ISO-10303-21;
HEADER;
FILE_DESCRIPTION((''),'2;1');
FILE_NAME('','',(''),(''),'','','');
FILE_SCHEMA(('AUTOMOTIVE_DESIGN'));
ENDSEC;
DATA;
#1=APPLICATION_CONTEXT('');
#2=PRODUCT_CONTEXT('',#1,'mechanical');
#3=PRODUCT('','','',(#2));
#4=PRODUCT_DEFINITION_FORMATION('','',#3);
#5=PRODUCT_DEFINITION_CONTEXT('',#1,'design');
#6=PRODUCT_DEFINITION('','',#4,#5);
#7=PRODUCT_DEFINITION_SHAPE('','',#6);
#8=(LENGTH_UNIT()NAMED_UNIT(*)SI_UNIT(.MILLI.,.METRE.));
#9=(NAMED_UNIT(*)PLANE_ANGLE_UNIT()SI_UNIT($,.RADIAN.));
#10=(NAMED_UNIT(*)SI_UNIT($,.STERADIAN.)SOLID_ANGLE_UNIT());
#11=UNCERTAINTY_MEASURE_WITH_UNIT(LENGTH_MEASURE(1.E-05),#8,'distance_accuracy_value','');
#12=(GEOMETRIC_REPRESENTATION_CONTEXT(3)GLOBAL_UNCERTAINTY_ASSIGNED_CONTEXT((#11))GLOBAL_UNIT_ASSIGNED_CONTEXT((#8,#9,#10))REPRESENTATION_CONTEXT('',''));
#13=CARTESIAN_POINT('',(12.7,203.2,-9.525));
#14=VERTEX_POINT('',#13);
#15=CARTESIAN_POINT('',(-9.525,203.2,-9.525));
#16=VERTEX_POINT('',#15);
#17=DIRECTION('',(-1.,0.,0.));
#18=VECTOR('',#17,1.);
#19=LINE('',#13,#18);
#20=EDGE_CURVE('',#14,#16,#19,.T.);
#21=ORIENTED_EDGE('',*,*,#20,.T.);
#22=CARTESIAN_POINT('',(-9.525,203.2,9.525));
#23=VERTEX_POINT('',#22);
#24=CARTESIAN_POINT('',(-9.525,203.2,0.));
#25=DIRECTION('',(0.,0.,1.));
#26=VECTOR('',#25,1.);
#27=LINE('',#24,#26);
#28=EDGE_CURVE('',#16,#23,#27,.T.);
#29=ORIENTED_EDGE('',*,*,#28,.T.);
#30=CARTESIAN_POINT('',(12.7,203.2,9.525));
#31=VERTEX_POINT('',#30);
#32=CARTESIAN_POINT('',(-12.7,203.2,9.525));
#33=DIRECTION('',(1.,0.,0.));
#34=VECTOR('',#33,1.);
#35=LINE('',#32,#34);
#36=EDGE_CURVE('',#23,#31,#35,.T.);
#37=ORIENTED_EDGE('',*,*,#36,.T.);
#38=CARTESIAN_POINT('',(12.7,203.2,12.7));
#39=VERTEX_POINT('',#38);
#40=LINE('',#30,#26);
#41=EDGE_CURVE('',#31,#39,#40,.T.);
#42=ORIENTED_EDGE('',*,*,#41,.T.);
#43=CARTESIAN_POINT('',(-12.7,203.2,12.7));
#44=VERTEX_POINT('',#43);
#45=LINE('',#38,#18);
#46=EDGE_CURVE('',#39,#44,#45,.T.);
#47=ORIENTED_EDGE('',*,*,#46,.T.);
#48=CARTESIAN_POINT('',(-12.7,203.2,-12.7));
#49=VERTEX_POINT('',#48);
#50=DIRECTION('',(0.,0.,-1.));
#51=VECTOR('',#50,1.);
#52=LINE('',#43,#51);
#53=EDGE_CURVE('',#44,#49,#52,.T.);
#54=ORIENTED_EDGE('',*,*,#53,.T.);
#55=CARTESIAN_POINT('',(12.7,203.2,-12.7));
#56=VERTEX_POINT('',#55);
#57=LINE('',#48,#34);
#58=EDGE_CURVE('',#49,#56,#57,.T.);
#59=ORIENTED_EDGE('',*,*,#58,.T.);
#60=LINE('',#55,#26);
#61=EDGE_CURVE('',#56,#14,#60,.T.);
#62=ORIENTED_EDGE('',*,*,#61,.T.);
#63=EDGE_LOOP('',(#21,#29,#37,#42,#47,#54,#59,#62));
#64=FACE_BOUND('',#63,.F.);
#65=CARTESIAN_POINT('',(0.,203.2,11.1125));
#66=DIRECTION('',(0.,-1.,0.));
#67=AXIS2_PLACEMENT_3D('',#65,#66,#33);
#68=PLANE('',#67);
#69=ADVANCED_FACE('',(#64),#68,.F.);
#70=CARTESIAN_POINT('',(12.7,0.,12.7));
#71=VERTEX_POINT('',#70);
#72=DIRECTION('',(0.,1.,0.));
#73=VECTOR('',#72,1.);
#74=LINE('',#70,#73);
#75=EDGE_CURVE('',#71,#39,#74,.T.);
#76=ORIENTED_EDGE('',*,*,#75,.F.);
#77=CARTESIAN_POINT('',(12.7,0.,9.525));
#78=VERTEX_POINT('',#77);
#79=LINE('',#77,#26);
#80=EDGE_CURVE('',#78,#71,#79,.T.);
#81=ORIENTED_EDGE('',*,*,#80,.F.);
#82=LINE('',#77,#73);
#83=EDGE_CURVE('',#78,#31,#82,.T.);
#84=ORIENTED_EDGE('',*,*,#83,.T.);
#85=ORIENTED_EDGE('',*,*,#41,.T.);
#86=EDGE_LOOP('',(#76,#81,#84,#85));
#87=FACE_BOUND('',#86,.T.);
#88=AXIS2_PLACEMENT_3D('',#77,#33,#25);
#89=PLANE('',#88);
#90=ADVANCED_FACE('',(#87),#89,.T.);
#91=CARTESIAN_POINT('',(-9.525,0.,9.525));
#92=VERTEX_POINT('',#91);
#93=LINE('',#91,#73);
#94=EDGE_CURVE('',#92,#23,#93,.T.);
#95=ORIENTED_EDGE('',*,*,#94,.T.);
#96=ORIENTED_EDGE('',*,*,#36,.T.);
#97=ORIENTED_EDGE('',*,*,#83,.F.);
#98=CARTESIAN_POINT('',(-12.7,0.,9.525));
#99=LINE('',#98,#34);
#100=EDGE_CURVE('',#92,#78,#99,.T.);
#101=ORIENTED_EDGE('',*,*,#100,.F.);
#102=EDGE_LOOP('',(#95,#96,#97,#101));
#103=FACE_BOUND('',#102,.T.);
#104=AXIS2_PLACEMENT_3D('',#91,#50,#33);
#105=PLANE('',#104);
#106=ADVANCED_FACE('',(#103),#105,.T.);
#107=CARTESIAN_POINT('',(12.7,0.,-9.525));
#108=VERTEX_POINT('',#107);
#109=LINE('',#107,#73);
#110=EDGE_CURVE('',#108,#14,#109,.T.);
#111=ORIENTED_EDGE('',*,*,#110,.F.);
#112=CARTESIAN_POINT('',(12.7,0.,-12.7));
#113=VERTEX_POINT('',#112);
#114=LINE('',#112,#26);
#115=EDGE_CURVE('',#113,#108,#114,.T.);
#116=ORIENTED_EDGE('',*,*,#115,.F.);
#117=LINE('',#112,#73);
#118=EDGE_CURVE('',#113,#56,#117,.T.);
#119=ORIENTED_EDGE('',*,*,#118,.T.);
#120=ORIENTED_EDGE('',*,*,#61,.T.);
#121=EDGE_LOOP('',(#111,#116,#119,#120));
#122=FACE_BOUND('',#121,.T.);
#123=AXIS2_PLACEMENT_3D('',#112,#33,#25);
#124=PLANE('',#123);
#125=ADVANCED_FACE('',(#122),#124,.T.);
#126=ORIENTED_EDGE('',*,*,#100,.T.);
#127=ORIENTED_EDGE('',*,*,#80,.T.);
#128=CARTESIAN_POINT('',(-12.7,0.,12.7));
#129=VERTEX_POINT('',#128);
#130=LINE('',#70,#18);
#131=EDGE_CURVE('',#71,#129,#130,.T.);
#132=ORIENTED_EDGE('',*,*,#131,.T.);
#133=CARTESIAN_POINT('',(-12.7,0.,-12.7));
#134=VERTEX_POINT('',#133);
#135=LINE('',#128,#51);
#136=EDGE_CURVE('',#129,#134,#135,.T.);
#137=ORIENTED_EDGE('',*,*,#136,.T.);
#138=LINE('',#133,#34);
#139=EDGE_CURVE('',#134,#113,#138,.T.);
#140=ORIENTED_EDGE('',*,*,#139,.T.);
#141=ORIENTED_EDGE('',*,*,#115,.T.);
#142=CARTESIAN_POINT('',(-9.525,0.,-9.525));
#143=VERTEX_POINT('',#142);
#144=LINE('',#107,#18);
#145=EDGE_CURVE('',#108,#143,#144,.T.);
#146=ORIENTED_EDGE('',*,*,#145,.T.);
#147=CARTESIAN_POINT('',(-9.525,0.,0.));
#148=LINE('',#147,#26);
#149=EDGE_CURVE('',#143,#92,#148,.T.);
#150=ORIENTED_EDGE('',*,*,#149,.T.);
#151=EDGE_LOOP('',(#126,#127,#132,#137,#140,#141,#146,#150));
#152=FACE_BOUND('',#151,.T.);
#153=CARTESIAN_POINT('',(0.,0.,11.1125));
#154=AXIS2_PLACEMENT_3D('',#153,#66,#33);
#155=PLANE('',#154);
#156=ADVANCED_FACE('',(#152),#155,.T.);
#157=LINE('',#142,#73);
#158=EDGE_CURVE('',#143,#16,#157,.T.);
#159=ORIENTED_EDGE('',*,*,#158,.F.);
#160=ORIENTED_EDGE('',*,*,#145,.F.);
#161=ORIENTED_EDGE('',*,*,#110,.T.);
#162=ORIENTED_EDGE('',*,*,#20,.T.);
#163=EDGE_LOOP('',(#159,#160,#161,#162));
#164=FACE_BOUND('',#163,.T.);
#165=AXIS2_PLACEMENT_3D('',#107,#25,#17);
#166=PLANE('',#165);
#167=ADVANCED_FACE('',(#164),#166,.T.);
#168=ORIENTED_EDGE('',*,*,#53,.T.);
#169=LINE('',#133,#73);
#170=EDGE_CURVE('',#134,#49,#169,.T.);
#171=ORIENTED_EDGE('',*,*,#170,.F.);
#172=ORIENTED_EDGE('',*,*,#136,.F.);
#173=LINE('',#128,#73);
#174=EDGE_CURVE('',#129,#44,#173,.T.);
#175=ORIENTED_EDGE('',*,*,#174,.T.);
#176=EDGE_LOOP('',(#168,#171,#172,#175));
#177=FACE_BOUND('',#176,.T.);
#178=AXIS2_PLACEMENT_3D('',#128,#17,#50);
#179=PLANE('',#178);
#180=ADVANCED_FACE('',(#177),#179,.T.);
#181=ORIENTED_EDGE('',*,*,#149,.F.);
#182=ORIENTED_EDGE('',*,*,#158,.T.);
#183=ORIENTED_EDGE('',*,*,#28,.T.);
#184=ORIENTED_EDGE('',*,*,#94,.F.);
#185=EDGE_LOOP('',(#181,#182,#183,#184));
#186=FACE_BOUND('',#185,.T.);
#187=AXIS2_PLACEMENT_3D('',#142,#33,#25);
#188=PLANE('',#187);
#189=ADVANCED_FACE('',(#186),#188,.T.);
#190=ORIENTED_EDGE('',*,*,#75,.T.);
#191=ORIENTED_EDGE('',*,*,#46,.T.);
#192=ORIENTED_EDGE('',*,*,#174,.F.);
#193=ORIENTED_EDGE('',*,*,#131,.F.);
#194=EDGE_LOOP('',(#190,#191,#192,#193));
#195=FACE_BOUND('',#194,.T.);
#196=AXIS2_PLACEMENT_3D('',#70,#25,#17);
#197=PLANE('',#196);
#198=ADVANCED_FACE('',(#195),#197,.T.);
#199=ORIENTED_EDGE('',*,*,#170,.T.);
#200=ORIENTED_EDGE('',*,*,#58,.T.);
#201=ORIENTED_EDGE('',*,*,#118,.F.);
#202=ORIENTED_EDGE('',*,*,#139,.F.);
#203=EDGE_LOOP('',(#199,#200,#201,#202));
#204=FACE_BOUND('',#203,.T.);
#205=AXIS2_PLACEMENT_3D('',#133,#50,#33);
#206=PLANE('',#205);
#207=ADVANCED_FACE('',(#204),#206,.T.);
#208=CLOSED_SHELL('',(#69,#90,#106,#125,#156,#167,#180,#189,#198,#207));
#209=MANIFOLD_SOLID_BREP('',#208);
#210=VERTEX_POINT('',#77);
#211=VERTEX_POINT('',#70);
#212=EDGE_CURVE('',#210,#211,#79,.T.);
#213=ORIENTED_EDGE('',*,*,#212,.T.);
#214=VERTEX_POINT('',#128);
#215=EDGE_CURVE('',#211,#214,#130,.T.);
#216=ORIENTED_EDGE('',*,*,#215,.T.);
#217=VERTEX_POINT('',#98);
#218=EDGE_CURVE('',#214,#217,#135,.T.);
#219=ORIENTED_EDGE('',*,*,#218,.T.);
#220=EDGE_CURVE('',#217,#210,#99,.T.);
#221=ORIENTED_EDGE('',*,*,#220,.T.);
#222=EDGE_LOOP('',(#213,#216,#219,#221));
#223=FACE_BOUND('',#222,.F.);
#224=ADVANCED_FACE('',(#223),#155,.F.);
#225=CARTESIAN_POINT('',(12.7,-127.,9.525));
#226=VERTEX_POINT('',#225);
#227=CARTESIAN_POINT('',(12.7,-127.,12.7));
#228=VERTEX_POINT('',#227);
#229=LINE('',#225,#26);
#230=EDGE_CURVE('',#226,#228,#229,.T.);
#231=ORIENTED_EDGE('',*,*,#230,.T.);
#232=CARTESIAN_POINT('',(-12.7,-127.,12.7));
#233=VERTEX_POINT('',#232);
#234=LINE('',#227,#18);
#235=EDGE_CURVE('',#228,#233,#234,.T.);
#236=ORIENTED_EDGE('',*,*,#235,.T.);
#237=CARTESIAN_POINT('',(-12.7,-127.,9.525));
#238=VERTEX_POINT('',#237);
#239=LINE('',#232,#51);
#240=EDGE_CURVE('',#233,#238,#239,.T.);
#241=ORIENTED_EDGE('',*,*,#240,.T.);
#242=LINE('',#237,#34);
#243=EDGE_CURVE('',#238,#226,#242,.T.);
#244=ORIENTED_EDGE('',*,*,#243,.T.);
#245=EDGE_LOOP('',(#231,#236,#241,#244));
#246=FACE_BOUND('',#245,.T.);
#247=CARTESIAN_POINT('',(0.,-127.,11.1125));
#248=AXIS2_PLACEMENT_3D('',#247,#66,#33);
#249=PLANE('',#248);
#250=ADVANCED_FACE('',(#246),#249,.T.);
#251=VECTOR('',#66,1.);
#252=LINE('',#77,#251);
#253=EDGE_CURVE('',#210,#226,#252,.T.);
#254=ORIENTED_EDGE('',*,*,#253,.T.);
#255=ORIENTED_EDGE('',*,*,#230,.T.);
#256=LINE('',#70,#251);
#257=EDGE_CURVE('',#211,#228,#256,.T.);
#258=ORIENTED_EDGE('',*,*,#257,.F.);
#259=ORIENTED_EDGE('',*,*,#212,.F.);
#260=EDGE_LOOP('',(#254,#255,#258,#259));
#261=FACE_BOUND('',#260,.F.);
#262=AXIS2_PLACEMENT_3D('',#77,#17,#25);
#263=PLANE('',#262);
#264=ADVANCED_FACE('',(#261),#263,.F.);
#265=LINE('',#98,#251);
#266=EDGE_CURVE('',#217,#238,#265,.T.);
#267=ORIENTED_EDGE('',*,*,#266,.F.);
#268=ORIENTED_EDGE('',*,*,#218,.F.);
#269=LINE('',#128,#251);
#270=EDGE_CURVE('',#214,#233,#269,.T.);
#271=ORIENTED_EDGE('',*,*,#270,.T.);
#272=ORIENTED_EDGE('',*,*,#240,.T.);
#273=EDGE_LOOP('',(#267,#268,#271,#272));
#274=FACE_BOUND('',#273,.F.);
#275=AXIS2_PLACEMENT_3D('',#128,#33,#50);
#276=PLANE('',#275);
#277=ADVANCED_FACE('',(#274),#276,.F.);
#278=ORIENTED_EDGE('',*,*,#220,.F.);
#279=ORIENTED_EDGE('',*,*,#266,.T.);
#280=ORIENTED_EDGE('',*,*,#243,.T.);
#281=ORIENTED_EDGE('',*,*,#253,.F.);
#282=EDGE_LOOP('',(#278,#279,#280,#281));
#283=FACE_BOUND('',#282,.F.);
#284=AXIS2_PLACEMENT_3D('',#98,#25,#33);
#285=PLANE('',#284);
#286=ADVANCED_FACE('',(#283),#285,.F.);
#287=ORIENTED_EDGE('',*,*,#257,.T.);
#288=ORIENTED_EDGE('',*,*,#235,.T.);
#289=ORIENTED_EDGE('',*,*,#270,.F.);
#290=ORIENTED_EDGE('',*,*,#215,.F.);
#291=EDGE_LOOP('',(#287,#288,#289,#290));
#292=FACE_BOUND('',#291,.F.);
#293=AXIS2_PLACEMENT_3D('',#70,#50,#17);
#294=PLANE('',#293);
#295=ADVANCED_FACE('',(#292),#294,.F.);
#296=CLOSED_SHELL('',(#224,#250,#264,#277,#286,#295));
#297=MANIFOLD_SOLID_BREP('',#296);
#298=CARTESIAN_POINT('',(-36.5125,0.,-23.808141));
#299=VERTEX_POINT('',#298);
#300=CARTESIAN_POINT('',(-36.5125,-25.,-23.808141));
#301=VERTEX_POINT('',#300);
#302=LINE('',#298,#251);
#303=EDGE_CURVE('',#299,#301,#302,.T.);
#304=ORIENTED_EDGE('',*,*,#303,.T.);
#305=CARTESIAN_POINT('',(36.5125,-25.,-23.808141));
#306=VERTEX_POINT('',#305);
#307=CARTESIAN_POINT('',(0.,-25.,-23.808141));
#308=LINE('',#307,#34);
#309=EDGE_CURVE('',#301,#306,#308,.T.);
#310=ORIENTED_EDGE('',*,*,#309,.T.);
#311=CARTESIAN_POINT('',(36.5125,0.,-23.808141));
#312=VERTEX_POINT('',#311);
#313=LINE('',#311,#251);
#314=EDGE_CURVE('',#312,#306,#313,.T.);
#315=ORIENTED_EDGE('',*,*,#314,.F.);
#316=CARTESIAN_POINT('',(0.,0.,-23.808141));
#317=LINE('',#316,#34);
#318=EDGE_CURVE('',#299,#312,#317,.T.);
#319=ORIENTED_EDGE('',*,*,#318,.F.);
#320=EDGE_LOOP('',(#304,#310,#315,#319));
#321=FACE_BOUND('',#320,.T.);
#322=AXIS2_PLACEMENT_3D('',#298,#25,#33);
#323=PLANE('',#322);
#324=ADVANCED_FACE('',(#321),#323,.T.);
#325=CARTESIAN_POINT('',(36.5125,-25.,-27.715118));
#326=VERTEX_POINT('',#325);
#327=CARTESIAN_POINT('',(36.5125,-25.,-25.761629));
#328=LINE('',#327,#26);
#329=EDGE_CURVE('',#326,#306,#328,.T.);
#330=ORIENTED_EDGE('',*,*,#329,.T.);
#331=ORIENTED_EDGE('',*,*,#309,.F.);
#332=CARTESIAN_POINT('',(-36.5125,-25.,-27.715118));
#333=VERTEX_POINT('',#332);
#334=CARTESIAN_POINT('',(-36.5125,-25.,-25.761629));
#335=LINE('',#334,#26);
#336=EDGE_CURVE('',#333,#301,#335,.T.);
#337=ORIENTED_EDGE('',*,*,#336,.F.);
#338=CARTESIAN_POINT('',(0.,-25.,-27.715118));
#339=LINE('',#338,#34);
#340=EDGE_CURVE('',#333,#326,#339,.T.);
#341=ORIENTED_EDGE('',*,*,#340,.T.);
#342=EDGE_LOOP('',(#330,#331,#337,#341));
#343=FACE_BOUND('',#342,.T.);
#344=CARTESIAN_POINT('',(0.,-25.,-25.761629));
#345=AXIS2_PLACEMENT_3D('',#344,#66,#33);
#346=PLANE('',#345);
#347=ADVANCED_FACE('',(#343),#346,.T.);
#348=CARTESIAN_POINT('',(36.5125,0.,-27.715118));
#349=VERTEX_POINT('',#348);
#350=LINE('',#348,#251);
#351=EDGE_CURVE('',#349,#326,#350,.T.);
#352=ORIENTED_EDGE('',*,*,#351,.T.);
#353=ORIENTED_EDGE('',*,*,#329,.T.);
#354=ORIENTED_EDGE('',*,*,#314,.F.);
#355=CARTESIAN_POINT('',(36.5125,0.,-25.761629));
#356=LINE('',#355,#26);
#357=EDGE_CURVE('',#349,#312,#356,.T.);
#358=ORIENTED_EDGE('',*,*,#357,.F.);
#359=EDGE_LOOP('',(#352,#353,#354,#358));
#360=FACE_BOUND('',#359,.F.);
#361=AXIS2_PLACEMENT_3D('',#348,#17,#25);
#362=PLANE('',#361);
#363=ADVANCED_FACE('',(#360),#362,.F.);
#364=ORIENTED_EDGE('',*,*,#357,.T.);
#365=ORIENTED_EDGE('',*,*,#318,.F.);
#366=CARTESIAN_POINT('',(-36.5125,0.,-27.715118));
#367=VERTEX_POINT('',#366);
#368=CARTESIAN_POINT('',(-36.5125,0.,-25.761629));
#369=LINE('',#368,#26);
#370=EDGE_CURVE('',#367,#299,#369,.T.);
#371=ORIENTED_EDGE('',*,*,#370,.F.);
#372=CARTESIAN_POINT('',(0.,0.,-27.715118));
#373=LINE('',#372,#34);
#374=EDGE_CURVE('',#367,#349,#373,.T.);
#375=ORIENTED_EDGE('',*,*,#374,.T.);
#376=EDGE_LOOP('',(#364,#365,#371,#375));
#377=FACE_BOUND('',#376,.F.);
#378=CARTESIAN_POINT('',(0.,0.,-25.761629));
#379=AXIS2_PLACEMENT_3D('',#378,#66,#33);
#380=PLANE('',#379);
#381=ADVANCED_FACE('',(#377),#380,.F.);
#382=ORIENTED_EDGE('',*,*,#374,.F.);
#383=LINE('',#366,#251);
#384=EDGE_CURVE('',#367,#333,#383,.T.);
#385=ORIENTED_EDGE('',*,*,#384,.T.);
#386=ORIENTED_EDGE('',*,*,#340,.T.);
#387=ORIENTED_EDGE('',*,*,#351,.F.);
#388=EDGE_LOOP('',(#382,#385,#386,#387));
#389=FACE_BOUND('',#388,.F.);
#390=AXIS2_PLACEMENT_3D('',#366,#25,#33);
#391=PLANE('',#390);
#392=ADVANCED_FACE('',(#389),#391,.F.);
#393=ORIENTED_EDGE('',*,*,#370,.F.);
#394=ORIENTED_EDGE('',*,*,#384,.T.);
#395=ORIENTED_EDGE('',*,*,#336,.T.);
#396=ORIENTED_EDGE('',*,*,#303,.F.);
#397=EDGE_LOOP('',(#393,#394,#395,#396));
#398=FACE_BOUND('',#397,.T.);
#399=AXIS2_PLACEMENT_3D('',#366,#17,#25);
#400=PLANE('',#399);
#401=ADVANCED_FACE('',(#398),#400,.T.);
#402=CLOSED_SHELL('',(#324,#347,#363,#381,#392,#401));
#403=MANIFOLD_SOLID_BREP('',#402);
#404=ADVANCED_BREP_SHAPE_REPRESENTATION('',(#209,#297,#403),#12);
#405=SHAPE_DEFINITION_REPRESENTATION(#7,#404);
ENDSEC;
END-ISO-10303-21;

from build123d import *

# Parameters (mm, degrees)
F0_W     = 3.175
F0_H     = 19.05
F1_DEPTH = 203.2
F2_DEPTH = 127
F3_W     = 73.025
F3_H     = 3.906977
F4_DEPTH = 25


with BuildPart() as f1:
    # F0 (on Front) → F1 (new body)
    with BuildSketch(Plane.XZ):
        Polygon((12.7, 12.7), (-12.7, 12.7), (-12.7, 9.525), (-9.525, 9.525), (12.7, 9.525), align=None)
        with Locations((-11.1125, 0)):
            Rectangle(F0_W, F0_H)
        Polygon((-9.525, -9.525), (-12.7, -9.525), (-12.7, -12.7), (12.7, -12.7), (12.7, -9.525), align=None)
    extrude(amount=-F1_DEPTH)


with BuildPart() as f2:
    # F0 (on Front) → F2 (new body)
    with BuildSketch(Plane.XZ):
        Polygon((12.7, 12.7), (-12.7, 12.7), (-12.7, 9.525), (-9.525, 9.525), (12.7, 9.525), align=None)
    extrude(amount=F2_DEPTH)


with BuildPart() as f4:
    # F3 (on Front) → F4 (new body)
    with BuildSketch(Plane.XZ):
        with Locations((0, -25.761629)):
            Rectangle(F3_W, F3_H)
    extrude(amount=F4_DEPTH)


solid = Compound([f1.part, f2.part, f4.part])
